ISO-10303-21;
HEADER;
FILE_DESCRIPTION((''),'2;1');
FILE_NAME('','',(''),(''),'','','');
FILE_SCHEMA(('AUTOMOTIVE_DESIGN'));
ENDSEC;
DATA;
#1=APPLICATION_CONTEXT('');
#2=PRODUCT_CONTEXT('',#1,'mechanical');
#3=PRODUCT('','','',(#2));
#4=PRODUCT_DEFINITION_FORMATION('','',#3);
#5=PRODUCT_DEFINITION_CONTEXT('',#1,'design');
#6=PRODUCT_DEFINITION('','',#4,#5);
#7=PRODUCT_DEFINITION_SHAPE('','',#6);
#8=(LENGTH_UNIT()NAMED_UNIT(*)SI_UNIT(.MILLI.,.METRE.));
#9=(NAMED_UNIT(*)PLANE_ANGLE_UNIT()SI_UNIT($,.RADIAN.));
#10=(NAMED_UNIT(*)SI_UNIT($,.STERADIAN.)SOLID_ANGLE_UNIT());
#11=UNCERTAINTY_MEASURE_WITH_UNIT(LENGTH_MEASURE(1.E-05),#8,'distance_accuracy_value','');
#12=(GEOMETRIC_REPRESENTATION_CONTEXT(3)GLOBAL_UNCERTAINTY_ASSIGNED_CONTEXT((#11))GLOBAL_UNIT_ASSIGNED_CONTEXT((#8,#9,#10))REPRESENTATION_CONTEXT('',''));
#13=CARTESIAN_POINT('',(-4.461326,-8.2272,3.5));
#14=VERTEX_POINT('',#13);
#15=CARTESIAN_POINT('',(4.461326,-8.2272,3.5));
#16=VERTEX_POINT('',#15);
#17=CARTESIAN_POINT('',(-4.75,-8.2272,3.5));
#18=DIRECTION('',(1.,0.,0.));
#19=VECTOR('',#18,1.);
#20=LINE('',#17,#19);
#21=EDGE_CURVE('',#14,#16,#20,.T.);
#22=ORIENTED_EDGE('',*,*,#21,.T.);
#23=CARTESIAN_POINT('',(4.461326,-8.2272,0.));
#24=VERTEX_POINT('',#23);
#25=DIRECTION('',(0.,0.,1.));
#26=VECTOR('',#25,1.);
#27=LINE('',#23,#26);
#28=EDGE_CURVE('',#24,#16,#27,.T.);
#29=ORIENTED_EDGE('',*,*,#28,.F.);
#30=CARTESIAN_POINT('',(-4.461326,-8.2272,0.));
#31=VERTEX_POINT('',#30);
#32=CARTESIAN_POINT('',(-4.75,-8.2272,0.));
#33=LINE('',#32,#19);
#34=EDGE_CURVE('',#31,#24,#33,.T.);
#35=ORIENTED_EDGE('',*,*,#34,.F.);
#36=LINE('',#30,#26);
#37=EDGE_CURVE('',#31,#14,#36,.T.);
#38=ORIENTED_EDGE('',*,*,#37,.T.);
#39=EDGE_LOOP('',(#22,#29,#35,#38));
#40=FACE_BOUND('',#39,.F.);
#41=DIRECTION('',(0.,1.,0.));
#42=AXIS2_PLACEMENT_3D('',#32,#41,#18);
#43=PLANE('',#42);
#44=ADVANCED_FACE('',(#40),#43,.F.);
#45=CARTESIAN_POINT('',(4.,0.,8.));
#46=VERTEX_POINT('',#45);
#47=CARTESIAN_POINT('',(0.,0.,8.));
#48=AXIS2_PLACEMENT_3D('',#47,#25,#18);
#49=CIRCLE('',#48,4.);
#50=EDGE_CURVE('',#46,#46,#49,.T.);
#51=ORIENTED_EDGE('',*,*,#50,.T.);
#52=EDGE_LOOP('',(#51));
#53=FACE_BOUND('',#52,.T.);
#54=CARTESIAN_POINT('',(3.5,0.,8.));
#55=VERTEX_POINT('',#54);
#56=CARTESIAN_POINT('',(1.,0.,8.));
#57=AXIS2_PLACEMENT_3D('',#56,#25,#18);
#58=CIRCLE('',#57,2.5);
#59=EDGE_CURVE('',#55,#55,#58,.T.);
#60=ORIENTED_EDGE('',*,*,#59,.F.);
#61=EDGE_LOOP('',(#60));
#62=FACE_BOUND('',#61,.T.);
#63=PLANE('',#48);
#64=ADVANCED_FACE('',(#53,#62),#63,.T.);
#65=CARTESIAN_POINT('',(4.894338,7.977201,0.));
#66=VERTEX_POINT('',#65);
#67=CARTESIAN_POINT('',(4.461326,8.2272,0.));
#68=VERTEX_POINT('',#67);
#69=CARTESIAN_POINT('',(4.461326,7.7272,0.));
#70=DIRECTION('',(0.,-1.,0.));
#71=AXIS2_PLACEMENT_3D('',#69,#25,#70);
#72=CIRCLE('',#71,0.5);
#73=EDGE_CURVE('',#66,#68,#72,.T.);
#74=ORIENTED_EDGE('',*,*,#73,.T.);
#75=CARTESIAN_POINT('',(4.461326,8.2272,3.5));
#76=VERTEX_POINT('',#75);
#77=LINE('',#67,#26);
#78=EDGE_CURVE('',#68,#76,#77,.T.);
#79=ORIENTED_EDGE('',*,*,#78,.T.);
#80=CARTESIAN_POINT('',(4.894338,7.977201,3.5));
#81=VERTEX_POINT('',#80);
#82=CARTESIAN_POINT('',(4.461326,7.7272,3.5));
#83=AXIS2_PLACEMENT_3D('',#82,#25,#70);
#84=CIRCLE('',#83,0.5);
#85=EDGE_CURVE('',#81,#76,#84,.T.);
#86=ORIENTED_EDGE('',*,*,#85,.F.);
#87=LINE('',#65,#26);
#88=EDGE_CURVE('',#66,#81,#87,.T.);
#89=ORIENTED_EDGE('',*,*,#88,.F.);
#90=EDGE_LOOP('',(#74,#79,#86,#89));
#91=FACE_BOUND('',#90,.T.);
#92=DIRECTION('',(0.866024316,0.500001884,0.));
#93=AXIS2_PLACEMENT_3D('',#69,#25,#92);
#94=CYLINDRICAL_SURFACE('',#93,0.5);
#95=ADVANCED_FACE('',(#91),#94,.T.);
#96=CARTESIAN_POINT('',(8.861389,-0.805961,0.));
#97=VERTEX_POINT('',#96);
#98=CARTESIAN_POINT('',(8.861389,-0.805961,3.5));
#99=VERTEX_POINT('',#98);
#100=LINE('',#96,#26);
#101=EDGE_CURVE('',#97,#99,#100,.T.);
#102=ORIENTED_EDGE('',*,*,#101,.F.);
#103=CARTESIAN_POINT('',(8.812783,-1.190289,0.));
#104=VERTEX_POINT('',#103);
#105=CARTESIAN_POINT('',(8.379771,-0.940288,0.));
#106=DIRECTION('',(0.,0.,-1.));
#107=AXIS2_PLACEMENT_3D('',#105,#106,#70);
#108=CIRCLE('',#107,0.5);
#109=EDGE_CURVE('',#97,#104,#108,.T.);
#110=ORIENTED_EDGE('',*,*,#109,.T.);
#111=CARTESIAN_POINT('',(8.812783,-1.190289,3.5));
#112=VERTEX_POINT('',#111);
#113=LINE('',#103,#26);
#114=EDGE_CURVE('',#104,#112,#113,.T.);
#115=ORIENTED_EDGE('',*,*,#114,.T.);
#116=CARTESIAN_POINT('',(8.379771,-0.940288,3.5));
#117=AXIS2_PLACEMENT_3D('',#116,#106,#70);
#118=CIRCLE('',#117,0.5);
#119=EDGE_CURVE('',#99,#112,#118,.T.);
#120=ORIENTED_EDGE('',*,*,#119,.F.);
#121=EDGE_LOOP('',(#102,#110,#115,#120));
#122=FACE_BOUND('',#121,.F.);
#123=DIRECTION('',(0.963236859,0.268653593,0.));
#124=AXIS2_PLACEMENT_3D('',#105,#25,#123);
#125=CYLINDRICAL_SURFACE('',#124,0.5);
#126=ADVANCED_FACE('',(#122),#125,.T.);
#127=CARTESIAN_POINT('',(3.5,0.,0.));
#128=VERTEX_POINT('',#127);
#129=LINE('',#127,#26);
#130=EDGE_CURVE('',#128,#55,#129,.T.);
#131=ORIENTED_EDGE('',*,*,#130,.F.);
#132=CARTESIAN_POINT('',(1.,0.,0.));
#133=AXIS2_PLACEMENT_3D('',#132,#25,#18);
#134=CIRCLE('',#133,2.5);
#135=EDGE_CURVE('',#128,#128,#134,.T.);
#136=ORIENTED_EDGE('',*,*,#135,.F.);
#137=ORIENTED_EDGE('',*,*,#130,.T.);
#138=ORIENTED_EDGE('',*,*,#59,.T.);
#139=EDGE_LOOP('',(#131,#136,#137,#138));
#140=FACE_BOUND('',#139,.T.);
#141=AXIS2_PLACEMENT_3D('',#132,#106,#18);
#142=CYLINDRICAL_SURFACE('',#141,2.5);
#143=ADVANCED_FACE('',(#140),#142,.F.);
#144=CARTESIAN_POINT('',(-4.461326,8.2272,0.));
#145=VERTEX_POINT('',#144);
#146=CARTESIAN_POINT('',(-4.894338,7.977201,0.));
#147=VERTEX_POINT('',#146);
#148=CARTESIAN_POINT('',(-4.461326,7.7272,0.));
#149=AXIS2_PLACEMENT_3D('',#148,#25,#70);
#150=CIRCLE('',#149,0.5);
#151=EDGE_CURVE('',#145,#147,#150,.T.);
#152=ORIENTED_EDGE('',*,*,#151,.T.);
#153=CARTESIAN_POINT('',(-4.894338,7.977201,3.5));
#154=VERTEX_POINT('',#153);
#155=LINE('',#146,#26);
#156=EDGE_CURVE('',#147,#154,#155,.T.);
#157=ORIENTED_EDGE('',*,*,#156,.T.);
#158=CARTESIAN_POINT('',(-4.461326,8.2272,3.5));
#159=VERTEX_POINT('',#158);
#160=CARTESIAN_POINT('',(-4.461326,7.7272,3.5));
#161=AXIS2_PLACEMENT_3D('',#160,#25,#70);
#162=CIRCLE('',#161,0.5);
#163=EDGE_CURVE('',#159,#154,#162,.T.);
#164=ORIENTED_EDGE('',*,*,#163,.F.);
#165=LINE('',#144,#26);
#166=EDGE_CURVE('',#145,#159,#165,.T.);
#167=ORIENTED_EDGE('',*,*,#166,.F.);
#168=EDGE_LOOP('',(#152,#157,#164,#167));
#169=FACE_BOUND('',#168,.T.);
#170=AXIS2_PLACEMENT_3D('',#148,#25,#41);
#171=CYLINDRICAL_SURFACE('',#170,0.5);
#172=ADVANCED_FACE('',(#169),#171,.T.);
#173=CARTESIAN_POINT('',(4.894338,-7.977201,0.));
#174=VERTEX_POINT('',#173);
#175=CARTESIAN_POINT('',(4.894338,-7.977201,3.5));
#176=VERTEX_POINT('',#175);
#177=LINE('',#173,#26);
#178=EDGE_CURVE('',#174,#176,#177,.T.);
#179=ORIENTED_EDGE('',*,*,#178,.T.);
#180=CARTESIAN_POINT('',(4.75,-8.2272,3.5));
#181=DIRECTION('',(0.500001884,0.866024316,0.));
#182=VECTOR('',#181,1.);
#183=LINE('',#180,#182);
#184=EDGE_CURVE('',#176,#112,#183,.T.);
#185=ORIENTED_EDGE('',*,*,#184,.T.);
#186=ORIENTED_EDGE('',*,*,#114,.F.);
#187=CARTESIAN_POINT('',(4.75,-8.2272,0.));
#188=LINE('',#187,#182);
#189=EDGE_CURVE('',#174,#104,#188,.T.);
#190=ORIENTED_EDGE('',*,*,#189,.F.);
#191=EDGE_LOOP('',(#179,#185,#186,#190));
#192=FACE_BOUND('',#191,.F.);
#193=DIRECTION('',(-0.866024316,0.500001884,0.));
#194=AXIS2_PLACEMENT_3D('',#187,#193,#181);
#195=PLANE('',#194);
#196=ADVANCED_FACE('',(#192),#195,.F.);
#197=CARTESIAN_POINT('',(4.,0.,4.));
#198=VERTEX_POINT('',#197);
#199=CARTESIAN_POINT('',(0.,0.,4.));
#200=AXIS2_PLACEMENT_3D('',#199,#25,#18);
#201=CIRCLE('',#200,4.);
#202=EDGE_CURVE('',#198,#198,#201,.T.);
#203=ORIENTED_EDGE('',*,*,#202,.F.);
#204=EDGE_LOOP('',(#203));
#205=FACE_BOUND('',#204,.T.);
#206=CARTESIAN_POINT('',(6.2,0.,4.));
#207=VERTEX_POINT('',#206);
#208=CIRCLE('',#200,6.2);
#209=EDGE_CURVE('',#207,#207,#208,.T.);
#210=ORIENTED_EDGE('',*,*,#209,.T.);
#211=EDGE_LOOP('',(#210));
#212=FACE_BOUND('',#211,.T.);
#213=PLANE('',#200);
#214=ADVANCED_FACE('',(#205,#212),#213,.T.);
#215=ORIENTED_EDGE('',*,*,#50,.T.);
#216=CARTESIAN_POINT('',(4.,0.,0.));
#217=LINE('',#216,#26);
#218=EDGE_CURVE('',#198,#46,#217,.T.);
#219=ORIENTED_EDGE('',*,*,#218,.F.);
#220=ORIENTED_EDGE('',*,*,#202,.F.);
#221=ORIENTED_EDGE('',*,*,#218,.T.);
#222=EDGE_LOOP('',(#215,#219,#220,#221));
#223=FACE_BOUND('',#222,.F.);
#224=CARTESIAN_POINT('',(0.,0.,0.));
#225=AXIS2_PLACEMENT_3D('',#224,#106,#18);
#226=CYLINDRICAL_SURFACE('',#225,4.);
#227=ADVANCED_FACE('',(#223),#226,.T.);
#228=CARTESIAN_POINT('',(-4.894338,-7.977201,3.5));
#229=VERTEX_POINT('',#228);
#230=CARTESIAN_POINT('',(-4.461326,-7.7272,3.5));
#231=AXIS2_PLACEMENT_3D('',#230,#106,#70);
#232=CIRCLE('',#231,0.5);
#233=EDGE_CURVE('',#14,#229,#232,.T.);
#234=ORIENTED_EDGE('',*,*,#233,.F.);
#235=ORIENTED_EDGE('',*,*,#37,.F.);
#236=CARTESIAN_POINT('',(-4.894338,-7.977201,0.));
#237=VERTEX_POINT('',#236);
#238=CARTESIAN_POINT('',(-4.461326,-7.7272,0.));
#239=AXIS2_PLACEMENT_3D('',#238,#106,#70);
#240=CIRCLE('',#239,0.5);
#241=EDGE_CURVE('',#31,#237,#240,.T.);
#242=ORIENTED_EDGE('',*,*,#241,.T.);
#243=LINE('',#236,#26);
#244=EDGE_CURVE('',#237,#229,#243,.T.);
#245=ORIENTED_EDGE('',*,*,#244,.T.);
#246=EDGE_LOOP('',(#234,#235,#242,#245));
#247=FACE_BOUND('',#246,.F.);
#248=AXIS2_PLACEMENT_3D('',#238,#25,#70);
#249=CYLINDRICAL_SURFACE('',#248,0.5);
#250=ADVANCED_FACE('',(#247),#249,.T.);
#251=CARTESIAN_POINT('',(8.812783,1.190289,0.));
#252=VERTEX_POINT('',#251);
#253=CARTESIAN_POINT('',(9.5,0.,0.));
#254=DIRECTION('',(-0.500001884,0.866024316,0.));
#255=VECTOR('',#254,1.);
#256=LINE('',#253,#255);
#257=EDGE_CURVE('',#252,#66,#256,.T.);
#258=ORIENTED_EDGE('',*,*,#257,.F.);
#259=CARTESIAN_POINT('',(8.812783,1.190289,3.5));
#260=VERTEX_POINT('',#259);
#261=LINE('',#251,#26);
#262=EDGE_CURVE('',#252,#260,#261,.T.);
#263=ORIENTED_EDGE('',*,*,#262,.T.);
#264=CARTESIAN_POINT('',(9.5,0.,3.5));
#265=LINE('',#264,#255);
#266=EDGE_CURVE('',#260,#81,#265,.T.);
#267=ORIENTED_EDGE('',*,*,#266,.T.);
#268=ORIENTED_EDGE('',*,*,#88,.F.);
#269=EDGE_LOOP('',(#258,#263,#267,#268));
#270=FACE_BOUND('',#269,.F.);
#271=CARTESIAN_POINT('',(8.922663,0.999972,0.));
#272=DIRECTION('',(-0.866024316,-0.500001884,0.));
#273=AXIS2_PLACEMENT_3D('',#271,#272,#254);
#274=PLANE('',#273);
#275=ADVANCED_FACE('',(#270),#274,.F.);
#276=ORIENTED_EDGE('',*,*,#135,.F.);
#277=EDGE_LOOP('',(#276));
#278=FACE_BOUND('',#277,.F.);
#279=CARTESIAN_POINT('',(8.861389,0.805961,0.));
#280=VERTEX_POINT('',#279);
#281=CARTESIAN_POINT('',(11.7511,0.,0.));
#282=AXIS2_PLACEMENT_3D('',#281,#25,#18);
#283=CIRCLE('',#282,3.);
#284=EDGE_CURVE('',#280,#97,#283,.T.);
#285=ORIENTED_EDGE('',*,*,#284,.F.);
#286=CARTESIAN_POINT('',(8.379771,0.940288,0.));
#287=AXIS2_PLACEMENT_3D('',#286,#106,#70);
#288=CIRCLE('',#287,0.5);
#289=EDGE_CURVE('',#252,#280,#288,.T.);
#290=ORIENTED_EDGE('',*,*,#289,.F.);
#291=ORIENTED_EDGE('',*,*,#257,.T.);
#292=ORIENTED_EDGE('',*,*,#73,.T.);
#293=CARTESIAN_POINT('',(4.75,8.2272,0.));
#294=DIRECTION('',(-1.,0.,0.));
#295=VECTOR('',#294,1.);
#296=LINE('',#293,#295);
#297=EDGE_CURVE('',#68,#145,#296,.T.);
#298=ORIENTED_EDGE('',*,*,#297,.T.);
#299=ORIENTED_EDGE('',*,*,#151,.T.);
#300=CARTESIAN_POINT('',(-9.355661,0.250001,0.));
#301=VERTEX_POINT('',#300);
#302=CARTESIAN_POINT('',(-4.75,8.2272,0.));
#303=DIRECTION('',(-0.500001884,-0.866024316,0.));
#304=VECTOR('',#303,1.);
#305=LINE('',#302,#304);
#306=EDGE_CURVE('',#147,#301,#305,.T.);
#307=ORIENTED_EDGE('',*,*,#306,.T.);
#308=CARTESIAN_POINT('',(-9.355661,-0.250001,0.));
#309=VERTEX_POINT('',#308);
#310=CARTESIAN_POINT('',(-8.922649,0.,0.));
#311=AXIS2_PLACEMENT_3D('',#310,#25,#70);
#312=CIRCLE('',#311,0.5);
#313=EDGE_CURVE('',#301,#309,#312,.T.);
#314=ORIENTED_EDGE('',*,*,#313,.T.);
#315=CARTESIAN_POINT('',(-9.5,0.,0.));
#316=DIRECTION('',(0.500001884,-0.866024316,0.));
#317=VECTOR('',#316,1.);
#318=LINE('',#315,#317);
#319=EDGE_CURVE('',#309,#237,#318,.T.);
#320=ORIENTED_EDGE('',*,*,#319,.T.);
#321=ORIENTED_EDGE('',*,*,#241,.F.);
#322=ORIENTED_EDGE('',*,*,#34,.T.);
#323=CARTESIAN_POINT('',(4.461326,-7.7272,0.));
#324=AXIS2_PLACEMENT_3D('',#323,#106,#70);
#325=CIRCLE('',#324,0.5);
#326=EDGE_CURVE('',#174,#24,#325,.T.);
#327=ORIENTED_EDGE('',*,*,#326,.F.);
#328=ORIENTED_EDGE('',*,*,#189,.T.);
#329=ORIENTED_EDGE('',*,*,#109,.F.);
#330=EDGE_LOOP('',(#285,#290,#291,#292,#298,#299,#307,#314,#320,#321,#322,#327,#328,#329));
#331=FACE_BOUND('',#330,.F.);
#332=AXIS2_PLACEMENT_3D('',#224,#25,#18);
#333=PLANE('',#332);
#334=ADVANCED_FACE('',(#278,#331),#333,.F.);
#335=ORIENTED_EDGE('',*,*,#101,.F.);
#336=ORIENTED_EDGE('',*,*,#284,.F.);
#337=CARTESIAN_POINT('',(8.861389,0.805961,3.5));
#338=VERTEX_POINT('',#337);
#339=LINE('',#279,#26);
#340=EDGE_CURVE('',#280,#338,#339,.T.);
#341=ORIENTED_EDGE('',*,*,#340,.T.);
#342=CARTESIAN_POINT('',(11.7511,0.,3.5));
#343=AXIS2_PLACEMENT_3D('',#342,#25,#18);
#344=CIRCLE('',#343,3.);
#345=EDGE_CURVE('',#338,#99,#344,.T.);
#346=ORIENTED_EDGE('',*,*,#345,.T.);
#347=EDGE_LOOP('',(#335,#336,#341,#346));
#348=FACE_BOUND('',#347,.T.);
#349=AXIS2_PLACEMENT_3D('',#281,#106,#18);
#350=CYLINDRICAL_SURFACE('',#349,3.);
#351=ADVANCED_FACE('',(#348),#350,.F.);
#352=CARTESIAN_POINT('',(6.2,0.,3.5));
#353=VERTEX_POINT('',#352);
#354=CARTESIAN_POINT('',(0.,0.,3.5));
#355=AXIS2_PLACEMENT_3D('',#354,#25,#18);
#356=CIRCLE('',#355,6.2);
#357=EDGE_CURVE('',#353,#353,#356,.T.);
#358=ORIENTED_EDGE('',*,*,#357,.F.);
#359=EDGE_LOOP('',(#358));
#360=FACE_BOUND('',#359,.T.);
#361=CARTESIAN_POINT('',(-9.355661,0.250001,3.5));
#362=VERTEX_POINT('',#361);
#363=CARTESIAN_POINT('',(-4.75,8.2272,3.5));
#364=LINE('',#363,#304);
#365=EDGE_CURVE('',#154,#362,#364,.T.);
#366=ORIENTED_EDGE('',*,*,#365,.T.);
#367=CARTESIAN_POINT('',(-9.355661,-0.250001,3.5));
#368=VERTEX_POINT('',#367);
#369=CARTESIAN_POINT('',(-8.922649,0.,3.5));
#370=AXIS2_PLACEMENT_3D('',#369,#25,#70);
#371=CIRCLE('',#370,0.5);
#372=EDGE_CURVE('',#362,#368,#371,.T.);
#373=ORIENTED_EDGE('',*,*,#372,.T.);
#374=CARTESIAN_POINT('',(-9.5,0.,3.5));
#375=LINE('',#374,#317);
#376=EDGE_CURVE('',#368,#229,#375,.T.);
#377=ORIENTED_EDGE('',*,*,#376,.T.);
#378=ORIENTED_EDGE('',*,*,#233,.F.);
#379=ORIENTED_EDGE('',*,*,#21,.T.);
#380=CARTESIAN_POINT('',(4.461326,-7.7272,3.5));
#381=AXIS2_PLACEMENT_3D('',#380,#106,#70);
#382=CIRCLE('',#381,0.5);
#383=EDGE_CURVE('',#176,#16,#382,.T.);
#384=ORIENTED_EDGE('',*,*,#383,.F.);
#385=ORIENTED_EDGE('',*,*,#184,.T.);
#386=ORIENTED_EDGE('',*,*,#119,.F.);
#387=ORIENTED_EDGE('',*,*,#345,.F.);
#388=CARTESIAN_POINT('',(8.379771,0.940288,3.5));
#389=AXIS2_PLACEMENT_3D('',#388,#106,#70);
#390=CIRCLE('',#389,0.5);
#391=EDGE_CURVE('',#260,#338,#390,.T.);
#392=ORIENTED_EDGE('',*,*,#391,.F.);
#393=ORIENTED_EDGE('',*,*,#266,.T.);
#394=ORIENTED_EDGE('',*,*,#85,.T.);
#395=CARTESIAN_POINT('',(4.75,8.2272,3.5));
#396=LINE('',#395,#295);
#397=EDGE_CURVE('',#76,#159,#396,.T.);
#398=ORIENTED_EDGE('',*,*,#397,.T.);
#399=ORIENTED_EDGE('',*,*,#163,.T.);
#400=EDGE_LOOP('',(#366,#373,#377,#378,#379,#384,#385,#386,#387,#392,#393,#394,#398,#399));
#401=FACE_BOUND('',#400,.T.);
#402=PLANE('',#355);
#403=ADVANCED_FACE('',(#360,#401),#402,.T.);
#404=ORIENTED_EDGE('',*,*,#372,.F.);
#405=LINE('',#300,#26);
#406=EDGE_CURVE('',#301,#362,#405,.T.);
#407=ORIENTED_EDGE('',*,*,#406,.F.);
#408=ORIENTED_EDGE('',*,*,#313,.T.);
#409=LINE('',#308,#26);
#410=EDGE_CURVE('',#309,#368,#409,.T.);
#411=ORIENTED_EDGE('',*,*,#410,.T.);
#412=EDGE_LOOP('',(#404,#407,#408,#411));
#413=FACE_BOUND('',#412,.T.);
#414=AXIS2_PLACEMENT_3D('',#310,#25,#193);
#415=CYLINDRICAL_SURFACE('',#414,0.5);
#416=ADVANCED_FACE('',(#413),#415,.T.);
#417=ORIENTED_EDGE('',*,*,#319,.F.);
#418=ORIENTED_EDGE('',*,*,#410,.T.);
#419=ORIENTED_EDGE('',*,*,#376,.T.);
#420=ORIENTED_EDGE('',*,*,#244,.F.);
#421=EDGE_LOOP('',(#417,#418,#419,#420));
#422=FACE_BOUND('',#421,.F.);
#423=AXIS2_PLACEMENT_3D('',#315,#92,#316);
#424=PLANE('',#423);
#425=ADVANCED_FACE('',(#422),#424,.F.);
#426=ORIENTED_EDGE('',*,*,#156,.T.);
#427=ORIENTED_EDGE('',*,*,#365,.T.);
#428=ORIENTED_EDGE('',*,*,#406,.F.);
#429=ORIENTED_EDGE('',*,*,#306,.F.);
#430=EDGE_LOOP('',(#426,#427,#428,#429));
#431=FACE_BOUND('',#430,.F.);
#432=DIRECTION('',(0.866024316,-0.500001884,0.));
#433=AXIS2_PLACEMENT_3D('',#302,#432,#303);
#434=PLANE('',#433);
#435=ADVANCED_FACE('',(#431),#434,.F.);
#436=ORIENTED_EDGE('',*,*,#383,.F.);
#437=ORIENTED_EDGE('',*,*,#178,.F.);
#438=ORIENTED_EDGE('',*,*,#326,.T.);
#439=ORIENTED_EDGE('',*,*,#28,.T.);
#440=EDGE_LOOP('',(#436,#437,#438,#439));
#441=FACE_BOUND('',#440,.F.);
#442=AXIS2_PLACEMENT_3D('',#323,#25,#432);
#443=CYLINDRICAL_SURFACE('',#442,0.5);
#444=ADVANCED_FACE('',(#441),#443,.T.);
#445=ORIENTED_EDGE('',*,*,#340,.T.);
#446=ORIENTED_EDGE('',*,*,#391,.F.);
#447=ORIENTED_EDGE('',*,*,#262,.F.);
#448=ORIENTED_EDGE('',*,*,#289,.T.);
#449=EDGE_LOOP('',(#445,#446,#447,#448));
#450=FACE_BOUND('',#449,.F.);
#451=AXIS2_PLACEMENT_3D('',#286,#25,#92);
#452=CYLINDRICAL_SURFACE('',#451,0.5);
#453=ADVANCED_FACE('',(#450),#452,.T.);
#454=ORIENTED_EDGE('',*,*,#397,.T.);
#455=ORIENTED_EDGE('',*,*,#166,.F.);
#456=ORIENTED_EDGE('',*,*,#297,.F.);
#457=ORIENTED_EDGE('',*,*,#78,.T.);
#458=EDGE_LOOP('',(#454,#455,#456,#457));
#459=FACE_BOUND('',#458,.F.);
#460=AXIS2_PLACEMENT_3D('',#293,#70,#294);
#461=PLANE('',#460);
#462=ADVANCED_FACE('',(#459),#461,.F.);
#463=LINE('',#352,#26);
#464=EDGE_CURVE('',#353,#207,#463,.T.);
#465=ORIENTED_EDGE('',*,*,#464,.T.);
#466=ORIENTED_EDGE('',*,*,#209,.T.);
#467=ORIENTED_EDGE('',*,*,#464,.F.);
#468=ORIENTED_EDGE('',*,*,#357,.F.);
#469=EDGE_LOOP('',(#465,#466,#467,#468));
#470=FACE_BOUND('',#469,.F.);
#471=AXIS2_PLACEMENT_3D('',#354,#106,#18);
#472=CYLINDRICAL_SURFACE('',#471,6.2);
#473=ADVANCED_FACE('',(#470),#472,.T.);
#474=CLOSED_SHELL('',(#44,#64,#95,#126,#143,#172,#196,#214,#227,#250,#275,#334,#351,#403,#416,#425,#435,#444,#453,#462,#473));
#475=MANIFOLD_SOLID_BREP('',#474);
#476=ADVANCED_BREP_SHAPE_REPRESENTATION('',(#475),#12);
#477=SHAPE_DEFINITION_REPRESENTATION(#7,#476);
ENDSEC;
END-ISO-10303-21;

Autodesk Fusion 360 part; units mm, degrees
sketch "Sketch1" plane through (0, 0, 0) normal (0, 0, 1) x (1, 0, 0)
  circle A0 centre (0, 0) radius 6.2
  circle A1 centre (0, 0) radius 4
  circle A2 centre (1, 0) radius 2.5
  line L0 (9.5, 0) -> (4.75, 8.2272)
  line L1 (4.75, 8.2272) -> (-4.75, 8.2272)
  line L2 (-4.75, 8.2272) -> (-9.5, 0)
  line L3 (-9.5, 0) -> (-4.75, -8.2272)
  line L4 (-4.75, -8.2272) -> (4.75, -8.2272)
  line L5 (4.75, -8.2272) -> (9.5, 0)
  line L6 (0, 0) -> (1, 0) construction
  circle A3 centre (11.7511, 0) radius 3
  line L7 (9.5, 0) -> (11.7511, 0) construction
  line L8 (8.9226, 1) -> (8.9226, -1) construction
  dimension "d1" = 16.4545
  dimension "d2" = 12.4
  dimension "d3" = 8
  dimension "d4" = 5
  dimension "d5" = 1
  dimension "d6" = 6
  dimension "d7" = 2
extrude "Extrude1" add sketch "Sketch1" along normal blind 8 contours A1
extrude "Extrude2" add sketch "Sketch1" along normal blind 3.5 contours A0 | L0 L1 L2 L3 L4 L5 A3
extrude "Extrude3" add sketch "Sketch1" along normal blind 0.5 from surface at 3.5 contours A0
fillet "Fillet1" radius 0.5 5 edges at (4.75, -8.2272, 1.75) (-4.75, -8.2272, 1.75) (-9.5, 0, 1.75) (-4.75, 8.2272, 1.75) (4.75, 8.2272, 1.75)
fillet "Fillet2" radius 0.5 2 edges at (8.9226, 1, 1.75) (8.9226, -1, 1.75)
sketch "Sketch2" plane through (0, 0, 0) normal (0, 0, 1) x (1, 0, 0)
  circle A0 centre (1, 0) radius 2.5
  arc A1 (8.8128, -1.1903) -> (8.8614, -0.806) centre (8.3798, -0.9403) ccw
  line L0 (8.8128, -1.1903) -> (4.8943, -7.9772)
  arc A2 (4.4613, -8.2272) -> (4.8943, -7.9772) centre (4.4613, -7.7272) ccw
  line L1 (4.4613, -8.2272) -> (-4.4613, -8.2272)
  arc A3 (-4.8943, -7.9772) -> (-4.4613, -8.2272) centre (-4.4613, -7.7272) ccw
  line L2 (-4.8943, -7.9772) -> (-9.3557, -0.25)
  arc A4 (-9.3557, 0.25) -> (-9.3557, -0.25) centre (-8.9226, 0) ccw
  line L3 (-9.3557, 0.25) -> (-4.8943, 7.9772)
  arc A5 (-4.4613, 8.2272) -> (-4.8943, 7.9772) centre (-4.4613, 7.7272) ccw
  line L4 (-4.4613, 8.2272) -> (4.4613, 8.2272)
  arc A6 (4.8943, 7.9772) -> (4.4613, 8.2272) centre (4.4613, 7.7272) ccw
  line L5 (4.8943, 7.9772) -> (8.8128, 1.1903)
  arc A7 (8.8614, 0.806) -> (8.8128, 1.1903) centre (8.3798, 0.9403) ccw
  arc A8 (8.8614, 0.806) -> (8.8614, -0.806) centre (11.7511, 0) ccw
  circle A9 centre (0, 0) radius 4
  circle A10 centre (0, 0) radius 6.2
